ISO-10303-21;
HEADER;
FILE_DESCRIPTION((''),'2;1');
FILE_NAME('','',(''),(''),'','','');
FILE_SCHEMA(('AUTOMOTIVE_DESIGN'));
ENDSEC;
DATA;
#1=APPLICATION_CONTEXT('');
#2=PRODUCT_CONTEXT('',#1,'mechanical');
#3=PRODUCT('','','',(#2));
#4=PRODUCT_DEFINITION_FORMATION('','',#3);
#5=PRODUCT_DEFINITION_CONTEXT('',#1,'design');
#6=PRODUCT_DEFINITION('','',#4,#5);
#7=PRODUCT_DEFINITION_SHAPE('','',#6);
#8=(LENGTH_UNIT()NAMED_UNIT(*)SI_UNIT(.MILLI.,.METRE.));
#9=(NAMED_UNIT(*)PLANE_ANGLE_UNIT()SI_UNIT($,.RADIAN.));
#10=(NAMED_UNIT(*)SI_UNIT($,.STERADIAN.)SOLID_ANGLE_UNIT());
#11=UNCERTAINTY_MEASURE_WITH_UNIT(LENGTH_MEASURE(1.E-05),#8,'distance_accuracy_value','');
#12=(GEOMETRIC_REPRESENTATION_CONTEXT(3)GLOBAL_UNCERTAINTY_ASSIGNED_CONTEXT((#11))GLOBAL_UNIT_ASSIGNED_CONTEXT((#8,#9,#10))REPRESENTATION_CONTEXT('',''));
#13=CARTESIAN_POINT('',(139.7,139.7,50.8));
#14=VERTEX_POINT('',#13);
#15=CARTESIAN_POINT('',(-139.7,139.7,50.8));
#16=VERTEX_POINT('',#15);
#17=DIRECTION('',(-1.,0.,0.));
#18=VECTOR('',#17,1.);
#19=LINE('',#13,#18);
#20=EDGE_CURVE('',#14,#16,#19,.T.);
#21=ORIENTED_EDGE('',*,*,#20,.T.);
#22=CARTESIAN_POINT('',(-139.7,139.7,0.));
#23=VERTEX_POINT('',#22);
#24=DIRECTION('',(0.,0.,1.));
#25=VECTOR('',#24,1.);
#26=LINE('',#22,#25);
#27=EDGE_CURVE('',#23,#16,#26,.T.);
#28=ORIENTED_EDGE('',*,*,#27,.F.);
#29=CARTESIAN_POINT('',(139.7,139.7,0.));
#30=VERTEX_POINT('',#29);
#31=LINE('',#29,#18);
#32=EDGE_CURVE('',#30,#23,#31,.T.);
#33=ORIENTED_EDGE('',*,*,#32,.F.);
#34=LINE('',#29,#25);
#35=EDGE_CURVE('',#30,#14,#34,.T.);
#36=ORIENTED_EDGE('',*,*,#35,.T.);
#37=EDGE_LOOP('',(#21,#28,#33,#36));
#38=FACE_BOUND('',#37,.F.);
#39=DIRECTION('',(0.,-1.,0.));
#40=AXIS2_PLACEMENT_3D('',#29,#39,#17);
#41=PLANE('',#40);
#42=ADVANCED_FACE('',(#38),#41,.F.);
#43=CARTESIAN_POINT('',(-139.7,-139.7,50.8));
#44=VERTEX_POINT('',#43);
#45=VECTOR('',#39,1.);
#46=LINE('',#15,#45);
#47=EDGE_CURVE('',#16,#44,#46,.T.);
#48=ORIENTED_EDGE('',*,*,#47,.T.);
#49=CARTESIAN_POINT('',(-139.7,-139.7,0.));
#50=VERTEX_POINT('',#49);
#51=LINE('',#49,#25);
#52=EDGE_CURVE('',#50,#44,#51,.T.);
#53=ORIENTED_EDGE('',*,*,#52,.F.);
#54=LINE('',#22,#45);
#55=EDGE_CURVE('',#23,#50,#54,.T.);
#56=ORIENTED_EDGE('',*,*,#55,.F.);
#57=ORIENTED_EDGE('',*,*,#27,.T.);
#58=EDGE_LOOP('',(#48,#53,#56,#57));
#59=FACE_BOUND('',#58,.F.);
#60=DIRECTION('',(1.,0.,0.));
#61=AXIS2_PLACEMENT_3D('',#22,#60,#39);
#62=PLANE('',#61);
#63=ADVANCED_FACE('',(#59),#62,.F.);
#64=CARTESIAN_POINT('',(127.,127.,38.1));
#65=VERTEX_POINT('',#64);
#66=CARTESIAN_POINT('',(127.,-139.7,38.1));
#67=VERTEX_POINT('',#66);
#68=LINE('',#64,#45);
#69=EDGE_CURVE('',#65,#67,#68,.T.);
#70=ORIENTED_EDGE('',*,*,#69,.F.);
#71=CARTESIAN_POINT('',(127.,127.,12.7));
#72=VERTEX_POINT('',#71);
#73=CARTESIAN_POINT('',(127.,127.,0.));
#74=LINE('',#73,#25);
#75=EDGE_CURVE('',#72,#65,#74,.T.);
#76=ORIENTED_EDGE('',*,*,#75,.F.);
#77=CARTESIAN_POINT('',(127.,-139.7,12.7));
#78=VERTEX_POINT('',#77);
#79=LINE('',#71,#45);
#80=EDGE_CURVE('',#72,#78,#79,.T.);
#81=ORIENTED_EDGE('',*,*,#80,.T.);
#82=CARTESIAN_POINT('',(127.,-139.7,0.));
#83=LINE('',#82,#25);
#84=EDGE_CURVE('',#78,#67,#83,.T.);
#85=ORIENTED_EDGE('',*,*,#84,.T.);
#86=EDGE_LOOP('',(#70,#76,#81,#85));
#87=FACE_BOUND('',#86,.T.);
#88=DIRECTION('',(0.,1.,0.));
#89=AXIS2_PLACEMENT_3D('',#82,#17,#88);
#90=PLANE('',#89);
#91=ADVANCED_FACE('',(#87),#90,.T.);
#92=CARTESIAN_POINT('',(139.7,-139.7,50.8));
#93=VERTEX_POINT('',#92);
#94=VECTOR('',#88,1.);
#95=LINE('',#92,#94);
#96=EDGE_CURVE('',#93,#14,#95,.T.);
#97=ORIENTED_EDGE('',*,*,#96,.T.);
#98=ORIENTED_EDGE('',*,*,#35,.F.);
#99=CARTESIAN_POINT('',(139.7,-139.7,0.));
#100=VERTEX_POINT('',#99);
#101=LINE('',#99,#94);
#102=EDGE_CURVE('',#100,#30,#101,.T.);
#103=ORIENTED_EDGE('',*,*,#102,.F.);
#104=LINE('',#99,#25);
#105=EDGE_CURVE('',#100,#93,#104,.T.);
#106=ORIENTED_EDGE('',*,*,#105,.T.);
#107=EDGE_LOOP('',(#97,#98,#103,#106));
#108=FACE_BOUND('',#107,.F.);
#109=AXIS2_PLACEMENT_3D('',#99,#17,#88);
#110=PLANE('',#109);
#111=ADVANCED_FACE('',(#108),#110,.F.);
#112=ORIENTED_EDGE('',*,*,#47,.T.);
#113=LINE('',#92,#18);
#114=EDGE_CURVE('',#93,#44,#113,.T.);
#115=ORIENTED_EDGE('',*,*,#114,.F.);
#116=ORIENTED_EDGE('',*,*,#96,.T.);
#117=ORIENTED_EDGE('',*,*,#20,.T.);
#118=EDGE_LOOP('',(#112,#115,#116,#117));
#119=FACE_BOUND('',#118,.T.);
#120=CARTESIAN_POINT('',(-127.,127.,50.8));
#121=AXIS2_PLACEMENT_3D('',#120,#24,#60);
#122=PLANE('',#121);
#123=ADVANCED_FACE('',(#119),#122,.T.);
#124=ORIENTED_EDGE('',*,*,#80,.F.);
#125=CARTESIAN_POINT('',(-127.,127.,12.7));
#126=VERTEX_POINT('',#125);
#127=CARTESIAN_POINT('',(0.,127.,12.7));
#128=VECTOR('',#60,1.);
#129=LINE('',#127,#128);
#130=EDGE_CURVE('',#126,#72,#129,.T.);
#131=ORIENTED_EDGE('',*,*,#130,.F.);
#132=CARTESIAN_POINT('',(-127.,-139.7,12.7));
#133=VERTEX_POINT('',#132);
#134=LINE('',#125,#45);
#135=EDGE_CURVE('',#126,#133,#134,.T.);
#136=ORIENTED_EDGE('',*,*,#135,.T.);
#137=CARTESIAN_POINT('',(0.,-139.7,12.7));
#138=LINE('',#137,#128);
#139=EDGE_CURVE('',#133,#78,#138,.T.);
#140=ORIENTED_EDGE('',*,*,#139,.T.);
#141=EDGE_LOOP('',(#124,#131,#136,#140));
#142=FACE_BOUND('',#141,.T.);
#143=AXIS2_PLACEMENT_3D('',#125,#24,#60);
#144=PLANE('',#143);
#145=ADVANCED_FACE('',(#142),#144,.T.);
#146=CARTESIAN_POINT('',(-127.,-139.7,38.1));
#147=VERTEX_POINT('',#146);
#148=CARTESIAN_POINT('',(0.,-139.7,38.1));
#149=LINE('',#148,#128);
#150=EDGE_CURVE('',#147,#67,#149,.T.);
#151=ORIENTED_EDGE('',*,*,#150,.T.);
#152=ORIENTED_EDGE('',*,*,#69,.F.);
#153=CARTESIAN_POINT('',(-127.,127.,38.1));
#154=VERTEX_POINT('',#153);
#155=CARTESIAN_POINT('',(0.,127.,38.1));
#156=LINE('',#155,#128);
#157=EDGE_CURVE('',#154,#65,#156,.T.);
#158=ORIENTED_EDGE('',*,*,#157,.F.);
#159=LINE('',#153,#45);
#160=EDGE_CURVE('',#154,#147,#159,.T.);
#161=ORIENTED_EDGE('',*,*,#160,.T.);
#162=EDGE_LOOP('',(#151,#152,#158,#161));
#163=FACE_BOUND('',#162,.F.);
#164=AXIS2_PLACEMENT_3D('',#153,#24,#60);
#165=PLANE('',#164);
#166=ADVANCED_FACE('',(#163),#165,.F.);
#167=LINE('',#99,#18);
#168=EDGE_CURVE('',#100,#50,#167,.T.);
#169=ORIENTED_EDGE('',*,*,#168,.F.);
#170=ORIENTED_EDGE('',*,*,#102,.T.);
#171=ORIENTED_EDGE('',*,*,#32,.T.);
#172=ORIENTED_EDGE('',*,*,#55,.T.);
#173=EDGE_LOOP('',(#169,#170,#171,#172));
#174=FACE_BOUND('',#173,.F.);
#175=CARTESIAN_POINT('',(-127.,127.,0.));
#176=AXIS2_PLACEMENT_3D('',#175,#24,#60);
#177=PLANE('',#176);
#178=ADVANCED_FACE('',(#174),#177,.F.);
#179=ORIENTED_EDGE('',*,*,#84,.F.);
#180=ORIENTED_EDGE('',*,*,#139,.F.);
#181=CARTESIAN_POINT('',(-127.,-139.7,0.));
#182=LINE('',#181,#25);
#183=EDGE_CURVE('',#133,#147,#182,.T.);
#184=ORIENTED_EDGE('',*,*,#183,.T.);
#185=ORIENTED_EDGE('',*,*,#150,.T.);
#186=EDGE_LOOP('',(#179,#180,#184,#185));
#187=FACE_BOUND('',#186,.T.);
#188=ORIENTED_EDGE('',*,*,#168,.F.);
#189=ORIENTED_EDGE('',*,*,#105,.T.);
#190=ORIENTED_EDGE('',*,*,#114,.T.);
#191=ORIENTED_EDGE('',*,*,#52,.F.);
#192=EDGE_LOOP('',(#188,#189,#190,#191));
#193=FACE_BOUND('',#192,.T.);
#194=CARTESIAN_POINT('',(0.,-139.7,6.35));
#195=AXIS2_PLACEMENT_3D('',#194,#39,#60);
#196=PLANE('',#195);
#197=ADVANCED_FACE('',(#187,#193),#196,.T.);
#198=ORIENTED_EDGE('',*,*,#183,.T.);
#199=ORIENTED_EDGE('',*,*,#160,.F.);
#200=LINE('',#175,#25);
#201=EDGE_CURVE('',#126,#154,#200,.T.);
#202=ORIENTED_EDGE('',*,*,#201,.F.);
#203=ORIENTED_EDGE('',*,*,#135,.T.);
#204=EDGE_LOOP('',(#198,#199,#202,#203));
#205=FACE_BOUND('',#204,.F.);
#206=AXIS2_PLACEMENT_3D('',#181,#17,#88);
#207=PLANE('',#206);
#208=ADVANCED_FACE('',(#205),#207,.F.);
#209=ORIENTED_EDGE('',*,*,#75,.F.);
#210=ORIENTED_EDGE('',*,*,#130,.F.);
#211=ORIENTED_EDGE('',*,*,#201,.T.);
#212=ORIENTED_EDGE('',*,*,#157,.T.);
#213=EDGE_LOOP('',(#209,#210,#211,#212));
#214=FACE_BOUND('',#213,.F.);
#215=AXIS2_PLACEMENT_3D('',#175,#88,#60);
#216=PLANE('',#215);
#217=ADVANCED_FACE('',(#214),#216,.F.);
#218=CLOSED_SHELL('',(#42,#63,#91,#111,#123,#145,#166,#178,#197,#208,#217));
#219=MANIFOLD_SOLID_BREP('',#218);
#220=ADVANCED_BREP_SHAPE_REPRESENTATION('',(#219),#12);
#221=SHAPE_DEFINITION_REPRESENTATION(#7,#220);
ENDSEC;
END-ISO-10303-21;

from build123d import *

# Parameters (mm, degrees)
F0_W     = 12.7
F0_H     = 266.7
F1_DEPTH = 50.8
F2_W     = 254
F2_H     = 12.7
F3_DEPTH = 266.7
F4_W     = 254
F4_H     = 12.7
F5_DEPTH = 266.7


with BuildPart() as f1:
    # F0 (on Top) → F1 (new body)
    with BuildSketch(Plane.XY):
        Polygon((-127, 139.7), (-139.7, 139.7), (-139.7, -139.7), (-127, -139.7), (-127, 127), align=None)
        Polygon((139.7, 139.7), (-127, 139.7), (-127, 127), (127, 127), (139.7, 127), align=None)
        with Locations((133.35, -6.35)):
            Rectangle(F0_W, F0_H)
    extrude(amount=F1_DEPTH)

    # F2 (on face) → F3 (join)
    with BuildSketch(Plane.XZ.offset(-127)):
        with Locations((0, 44.45)):
            Rectangle(F2_W, F2_H)
    extrude(amount=F3_DEPTH)

    # F4 (on face) → F5 (join)
    with BuildSketch(Plane.XZ.offset(-127)):
        with Locations((0, 6.35)):
            Rectangle(F4_W, F4_H)
    extrude(amount=F5_DEPTH)


solid = f1.part
